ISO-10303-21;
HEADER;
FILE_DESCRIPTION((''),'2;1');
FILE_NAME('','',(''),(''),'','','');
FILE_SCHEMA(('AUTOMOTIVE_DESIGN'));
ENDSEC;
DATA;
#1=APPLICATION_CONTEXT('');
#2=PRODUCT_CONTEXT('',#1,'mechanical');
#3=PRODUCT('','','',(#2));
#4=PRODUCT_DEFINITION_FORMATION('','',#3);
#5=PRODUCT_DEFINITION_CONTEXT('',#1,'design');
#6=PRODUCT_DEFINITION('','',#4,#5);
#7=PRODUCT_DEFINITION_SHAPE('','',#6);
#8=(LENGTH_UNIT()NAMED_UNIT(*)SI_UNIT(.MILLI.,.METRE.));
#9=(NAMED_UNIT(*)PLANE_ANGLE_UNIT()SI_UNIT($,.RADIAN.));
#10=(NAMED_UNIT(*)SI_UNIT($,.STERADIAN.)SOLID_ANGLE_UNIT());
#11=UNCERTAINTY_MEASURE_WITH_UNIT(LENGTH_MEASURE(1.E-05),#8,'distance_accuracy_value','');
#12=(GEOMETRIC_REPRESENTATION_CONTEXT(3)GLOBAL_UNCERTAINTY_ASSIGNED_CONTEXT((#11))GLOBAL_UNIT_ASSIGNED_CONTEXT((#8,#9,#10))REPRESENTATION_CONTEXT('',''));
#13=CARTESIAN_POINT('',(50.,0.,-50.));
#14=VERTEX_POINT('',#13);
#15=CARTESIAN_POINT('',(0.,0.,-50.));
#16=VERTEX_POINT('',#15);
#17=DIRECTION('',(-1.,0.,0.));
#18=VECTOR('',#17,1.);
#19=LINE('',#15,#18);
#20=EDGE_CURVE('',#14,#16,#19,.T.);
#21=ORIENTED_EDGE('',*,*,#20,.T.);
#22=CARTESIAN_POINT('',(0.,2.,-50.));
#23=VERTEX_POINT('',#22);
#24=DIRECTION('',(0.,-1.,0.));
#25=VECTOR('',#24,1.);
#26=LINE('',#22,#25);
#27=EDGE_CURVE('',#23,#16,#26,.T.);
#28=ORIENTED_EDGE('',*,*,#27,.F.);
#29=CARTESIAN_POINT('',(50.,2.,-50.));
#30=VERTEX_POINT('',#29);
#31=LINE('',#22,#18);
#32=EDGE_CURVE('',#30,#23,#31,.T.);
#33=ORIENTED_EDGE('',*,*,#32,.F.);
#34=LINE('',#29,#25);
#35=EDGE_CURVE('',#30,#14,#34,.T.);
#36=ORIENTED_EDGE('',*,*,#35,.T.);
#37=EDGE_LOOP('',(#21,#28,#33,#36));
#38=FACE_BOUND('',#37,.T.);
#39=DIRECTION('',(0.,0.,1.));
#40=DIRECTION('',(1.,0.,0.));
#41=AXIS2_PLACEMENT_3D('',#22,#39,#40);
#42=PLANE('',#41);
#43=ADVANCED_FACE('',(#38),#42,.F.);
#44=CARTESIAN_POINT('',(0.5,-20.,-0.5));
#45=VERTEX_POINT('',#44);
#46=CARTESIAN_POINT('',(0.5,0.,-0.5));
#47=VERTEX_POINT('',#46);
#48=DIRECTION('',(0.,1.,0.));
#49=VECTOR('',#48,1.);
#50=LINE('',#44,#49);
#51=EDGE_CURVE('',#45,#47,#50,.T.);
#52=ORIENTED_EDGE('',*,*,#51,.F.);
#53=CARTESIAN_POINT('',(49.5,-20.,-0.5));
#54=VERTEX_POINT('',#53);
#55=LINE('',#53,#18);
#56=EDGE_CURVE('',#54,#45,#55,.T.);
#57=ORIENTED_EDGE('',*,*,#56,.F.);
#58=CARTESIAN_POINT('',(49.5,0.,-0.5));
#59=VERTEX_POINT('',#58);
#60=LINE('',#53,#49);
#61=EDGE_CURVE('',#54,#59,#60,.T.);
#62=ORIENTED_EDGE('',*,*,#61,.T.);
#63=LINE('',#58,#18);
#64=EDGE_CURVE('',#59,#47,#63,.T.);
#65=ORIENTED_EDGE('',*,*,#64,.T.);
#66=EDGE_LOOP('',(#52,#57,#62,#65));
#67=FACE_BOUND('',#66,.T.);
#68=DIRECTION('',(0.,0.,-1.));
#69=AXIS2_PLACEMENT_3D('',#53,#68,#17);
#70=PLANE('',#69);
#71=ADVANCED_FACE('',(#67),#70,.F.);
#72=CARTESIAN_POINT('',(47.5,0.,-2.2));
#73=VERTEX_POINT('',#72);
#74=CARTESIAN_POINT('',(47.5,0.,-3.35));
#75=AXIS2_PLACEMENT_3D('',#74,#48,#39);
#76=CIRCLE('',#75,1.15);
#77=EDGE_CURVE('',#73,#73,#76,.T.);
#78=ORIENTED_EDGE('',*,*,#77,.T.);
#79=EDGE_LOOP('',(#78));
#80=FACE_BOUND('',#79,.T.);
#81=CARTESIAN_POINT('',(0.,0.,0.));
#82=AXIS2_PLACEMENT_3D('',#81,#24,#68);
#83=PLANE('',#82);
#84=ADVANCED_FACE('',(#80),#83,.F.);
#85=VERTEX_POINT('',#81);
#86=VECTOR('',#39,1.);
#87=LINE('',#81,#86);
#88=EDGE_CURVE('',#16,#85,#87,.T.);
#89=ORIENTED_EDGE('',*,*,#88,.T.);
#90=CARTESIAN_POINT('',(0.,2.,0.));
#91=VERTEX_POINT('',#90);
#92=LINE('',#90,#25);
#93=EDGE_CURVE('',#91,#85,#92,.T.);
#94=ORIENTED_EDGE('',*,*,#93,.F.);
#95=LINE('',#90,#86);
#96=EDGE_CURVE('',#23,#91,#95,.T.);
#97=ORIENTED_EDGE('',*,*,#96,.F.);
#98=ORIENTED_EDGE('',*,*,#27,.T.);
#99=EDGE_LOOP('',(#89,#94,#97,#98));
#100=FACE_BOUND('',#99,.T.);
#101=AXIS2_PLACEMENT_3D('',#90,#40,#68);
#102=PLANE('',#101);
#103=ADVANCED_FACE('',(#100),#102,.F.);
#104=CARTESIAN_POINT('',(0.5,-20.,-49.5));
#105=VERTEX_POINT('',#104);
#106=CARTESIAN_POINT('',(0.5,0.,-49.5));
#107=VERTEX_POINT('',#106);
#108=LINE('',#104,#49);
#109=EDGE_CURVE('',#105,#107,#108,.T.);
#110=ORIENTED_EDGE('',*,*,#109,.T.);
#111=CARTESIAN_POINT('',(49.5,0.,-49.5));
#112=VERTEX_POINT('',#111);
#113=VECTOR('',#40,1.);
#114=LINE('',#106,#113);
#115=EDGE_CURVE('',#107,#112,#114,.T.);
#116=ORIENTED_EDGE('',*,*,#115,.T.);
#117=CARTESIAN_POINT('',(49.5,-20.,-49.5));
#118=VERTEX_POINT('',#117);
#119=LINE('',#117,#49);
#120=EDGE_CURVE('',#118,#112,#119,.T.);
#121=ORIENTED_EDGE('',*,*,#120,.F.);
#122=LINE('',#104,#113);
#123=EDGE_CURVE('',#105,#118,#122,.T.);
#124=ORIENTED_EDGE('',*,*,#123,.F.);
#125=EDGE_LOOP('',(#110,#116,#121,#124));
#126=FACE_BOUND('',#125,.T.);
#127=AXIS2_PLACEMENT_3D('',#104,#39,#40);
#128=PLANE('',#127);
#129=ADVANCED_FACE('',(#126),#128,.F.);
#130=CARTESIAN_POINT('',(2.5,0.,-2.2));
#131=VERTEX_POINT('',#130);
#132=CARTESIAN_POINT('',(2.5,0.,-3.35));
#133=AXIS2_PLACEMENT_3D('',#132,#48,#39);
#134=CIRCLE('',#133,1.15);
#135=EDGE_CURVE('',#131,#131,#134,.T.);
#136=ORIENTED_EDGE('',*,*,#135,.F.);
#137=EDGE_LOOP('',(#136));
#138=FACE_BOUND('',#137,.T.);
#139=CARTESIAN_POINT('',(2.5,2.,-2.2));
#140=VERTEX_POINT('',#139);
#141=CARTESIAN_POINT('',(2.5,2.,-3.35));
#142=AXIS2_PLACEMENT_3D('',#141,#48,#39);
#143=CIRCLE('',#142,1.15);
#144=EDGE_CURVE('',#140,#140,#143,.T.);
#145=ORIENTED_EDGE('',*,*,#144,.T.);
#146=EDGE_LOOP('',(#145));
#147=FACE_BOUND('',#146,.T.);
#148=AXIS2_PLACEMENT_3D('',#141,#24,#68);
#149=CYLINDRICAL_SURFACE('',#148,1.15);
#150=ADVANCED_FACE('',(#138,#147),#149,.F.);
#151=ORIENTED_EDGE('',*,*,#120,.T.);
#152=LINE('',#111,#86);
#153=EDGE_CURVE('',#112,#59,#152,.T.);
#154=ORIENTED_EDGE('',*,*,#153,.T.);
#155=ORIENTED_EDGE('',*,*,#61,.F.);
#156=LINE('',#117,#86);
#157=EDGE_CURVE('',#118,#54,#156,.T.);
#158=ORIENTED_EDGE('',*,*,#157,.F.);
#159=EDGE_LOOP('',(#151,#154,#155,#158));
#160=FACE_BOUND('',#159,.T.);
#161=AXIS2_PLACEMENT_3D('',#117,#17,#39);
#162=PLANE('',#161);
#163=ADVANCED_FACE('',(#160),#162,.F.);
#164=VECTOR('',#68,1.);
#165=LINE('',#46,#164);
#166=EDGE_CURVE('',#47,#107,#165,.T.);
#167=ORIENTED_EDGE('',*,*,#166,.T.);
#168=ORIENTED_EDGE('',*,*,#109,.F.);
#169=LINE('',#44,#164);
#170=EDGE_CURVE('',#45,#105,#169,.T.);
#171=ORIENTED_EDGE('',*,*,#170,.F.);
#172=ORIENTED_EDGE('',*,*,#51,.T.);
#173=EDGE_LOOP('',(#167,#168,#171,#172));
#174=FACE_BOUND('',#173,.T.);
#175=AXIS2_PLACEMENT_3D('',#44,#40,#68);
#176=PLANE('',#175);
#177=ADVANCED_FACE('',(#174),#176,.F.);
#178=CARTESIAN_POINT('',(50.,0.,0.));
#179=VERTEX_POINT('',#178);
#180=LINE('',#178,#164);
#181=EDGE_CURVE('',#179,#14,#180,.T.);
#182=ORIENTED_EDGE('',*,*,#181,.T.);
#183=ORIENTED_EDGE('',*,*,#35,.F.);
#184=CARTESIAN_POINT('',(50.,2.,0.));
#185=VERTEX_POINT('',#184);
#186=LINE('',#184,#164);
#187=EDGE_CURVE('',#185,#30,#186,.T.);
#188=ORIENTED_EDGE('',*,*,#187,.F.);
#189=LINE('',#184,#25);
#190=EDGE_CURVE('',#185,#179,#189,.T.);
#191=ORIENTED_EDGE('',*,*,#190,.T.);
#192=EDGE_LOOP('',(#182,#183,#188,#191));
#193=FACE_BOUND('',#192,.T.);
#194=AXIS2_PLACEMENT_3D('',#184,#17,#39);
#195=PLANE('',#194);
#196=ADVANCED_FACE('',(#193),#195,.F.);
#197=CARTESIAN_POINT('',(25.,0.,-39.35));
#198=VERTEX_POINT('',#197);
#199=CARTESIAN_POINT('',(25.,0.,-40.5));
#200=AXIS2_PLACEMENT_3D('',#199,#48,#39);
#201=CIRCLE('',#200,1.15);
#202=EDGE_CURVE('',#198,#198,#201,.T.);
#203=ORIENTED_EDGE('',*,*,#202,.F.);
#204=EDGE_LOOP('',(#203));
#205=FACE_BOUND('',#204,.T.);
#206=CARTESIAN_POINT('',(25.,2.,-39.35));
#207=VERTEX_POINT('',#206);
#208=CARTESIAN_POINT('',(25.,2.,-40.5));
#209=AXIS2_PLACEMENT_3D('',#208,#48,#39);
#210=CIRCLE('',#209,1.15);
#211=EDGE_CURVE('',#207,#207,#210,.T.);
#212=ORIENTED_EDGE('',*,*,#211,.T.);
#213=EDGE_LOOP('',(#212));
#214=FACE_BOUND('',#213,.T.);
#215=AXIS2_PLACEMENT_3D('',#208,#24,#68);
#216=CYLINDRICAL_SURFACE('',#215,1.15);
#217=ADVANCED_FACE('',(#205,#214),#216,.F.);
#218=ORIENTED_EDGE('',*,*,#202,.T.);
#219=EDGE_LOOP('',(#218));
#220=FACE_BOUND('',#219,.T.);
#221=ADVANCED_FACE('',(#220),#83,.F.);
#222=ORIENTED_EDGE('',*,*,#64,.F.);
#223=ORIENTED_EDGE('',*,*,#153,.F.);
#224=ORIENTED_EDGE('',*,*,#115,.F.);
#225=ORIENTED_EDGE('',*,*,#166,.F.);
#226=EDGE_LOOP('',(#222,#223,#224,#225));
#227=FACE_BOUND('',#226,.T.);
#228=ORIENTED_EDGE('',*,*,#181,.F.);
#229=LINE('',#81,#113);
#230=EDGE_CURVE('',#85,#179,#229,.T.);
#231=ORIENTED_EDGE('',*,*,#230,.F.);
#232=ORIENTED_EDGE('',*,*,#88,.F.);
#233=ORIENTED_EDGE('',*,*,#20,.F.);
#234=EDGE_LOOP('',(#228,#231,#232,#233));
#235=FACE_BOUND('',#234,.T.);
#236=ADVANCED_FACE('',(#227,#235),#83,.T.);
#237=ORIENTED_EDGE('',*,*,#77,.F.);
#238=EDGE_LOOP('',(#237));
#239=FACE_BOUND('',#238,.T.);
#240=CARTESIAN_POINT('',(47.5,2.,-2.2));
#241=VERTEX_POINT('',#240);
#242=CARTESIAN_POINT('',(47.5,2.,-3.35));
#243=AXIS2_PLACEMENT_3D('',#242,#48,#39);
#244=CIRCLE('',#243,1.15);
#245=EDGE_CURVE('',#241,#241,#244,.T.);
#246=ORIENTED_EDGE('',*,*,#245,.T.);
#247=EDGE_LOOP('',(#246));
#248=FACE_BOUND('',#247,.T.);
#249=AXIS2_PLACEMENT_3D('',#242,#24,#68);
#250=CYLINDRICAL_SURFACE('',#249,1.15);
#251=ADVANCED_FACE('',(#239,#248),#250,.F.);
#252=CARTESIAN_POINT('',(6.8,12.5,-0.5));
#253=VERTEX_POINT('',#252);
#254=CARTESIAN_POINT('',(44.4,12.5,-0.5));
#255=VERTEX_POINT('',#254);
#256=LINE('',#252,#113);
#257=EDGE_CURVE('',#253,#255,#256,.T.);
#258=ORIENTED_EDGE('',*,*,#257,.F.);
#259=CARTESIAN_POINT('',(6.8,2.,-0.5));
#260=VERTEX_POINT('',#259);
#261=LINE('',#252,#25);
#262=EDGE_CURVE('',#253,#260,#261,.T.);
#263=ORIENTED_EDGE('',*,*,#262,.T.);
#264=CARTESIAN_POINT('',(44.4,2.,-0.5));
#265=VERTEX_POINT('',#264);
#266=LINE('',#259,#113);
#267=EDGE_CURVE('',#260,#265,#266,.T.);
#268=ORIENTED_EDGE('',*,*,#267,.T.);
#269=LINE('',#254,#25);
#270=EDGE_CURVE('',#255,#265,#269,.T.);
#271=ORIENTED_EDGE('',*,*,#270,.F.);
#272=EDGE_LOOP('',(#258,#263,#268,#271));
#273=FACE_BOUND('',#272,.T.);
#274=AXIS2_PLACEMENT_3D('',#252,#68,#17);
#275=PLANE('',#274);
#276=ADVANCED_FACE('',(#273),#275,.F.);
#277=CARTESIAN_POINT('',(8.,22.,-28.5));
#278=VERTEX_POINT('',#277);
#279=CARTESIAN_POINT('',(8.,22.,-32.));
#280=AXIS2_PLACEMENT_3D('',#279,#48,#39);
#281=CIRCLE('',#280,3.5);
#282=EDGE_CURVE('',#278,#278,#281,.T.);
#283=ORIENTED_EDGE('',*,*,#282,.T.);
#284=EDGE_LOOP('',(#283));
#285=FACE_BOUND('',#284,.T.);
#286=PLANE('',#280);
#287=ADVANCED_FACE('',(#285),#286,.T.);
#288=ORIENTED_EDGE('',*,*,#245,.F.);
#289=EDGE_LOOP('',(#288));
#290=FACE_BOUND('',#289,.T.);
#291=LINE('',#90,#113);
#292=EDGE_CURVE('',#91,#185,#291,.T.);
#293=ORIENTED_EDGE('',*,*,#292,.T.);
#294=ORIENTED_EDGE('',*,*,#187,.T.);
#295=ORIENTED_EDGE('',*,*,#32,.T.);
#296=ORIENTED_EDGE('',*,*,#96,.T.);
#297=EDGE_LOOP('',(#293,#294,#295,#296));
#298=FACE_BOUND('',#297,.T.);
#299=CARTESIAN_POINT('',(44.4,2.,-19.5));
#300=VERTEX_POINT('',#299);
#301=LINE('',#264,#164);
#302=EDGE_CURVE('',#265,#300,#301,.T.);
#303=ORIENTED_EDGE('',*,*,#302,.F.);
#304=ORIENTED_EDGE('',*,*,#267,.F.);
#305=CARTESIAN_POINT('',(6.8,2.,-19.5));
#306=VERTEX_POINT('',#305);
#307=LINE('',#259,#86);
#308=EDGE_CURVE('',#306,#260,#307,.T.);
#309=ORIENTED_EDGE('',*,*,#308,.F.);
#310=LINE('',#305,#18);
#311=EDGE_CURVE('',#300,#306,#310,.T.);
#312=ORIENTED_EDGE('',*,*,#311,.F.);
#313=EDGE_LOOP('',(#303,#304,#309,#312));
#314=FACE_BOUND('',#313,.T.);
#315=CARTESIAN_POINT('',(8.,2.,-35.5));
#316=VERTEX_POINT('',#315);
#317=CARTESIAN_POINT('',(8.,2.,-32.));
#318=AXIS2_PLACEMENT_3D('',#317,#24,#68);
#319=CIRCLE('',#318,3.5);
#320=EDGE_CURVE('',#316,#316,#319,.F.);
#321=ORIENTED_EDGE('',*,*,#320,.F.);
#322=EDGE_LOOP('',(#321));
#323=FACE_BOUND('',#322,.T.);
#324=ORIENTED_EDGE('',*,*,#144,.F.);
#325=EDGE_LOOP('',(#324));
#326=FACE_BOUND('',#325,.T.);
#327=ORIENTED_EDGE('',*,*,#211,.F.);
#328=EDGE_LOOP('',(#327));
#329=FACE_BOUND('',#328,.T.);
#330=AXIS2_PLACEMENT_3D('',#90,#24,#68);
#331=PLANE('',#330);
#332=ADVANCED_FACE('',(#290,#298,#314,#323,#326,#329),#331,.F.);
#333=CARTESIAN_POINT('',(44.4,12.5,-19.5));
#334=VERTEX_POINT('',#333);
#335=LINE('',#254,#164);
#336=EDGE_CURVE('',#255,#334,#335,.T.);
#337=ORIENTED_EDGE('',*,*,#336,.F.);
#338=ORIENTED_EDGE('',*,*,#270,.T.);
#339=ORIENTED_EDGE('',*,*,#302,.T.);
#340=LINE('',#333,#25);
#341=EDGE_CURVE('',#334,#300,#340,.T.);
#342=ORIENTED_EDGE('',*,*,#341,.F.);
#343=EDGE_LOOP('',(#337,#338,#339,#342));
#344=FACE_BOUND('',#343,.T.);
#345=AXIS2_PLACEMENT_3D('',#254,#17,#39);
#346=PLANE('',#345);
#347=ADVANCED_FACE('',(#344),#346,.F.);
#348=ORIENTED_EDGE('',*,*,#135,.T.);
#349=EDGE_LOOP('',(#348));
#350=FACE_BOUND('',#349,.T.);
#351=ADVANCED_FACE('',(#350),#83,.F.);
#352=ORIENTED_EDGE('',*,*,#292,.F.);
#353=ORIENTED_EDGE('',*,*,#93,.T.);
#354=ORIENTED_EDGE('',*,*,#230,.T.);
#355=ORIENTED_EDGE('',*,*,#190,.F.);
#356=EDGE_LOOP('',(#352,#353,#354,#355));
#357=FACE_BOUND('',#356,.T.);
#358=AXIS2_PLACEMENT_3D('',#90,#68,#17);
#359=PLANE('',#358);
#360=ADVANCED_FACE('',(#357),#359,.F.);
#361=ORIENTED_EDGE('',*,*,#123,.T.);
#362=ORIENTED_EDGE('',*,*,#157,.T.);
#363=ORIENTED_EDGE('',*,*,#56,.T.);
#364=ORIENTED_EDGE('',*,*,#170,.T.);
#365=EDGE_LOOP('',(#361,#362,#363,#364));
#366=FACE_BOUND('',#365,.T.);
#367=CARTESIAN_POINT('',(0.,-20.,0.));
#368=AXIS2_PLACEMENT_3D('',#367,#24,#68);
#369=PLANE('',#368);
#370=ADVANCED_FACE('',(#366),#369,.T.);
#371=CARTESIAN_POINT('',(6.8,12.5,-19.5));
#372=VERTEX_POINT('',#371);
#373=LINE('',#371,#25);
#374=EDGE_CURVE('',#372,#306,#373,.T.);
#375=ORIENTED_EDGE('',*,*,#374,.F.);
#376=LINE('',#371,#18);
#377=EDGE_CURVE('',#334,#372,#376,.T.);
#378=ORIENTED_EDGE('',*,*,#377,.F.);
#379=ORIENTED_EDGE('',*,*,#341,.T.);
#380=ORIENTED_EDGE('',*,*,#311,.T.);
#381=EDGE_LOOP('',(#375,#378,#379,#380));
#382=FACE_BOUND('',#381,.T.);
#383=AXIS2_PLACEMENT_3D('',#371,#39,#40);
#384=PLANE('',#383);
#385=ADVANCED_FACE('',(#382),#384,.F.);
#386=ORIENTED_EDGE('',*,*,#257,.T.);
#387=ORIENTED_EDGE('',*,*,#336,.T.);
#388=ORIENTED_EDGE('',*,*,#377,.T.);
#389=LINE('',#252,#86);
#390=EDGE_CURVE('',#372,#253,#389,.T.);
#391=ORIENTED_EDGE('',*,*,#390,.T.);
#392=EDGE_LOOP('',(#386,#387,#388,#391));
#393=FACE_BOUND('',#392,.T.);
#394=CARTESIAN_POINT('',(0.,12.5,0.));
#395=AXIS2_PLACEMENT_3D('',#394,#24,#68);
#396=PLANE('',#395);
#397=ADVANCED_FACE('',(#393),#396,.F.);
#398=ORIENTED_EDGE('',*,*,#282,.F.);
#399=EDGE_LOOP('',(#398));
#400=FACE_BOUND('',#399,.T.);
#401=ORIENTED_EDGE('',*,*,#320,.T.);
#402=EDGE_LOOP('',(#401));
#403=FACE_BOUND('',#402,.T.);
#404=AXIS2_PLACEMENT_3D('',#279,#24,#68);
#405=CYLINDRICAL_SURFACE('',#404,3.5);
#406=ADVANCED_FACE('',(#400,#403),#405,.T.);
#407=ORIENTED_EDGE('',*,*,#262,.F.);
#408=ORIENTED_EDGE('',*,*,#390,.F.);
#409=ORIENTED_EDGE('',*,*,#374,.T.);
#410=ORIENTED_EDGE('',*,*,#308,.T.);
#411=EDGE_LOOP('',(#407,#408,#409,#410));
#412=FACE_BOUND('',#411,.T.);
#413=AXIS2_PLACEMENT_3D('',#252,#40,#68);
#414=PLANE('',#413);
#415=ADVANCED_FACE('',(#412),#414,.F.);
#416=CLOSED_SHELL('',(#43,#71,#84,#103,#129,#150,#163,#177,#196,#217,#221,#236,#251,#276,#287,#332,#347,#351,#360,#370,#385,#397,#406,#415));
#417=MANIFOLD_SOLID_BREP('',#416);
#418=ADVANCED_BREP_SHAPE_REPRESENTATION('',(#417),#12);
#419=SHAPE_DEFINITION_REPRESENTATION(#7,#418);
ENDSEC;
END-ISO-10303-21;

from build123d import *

# Parameters (mm, degrees)
SKETCH1_W           = 50
SKETCH1_H           = 50
SKETCH1_R           = 1.15
BOSS_EXTRUDE1_DEPTH = 2
SKETCH2_W           = 37.6
SKETCH2_H           = 19
BOSS_EXTRUDE2_DEPTH = 10.5
SKETCH3_R           = 3.5
BOSS_EXTRUDE3_DEPTH = 20
SKETCH4_W           = 49
SKETCH4_H           = 49
BOSS_EXTRUDE4_DEPTH = 20


with BuildPart() as part:
    # Sketch1 → Boss-Extrude1 (new body)
    with BuildSketch(Plane(origin=(0, 0, 0), x_dir=(1, 0, 0), z_dir=(0, 1, 0))):
        with Locations((25, 25)):
            Rectangle(SKETCH1_W, SKETCH1_H)
        with Locations(Location((2.5, 3.35, 0), (0, 0, 270))):
            Circle(SKETCH1_R, mode=Mode.SUBTRACT)
        with Locations(Location((47.5, 3.35, 0), (0, 0, 270))):
            Circle(SKETCH1_R, mode=Mode.SUBTRACT)
        with Locations(Location((25, 40.5, 0), (0, 0, 270))):
            Circle(SKETCH1_R, mode=Mode.SUBTRACT)
    extrude(amount=BOSS_EXTRUDE1_DEPTH)

    # Sketch2 → Boss-Extrude2 (add)
    with BuildSketch(Plane(origin=(0, 2, 0), x_dir=(1, 0, 0), z_dir=(0, 1, 0))):
        with Locations((25.6, 10)):
            Rectangle(SKETCH2_W, SKETCH2_H)
    extrude(amount=BOSS_EXTRUDE2_DEPTH)

    # Sketch3 → Boss-Extrude3 (add)
    with BuildSketch(Plane(origin=(0, 2, 0), x_dir=(1, 0, 0), z_dir=(0, 1, 0))):
        with Locations(Location((8, 32, 0), (0, 0, 90))):
            Circle(SKETCH3_R)
    extrude(amount=BOSS_EXTRUDE3_DEPTH)

    # Sketch4 → Boss-Extrude4 (add)
    with BuildSketch(Plane.XZ):
        with Locations((25, -25)):
            Rectangle(SKETCH4_W, SKETCH4_H)
    extrude(amount=BOSS_EXTRUDE4_DEPTH)


solid = part.part
